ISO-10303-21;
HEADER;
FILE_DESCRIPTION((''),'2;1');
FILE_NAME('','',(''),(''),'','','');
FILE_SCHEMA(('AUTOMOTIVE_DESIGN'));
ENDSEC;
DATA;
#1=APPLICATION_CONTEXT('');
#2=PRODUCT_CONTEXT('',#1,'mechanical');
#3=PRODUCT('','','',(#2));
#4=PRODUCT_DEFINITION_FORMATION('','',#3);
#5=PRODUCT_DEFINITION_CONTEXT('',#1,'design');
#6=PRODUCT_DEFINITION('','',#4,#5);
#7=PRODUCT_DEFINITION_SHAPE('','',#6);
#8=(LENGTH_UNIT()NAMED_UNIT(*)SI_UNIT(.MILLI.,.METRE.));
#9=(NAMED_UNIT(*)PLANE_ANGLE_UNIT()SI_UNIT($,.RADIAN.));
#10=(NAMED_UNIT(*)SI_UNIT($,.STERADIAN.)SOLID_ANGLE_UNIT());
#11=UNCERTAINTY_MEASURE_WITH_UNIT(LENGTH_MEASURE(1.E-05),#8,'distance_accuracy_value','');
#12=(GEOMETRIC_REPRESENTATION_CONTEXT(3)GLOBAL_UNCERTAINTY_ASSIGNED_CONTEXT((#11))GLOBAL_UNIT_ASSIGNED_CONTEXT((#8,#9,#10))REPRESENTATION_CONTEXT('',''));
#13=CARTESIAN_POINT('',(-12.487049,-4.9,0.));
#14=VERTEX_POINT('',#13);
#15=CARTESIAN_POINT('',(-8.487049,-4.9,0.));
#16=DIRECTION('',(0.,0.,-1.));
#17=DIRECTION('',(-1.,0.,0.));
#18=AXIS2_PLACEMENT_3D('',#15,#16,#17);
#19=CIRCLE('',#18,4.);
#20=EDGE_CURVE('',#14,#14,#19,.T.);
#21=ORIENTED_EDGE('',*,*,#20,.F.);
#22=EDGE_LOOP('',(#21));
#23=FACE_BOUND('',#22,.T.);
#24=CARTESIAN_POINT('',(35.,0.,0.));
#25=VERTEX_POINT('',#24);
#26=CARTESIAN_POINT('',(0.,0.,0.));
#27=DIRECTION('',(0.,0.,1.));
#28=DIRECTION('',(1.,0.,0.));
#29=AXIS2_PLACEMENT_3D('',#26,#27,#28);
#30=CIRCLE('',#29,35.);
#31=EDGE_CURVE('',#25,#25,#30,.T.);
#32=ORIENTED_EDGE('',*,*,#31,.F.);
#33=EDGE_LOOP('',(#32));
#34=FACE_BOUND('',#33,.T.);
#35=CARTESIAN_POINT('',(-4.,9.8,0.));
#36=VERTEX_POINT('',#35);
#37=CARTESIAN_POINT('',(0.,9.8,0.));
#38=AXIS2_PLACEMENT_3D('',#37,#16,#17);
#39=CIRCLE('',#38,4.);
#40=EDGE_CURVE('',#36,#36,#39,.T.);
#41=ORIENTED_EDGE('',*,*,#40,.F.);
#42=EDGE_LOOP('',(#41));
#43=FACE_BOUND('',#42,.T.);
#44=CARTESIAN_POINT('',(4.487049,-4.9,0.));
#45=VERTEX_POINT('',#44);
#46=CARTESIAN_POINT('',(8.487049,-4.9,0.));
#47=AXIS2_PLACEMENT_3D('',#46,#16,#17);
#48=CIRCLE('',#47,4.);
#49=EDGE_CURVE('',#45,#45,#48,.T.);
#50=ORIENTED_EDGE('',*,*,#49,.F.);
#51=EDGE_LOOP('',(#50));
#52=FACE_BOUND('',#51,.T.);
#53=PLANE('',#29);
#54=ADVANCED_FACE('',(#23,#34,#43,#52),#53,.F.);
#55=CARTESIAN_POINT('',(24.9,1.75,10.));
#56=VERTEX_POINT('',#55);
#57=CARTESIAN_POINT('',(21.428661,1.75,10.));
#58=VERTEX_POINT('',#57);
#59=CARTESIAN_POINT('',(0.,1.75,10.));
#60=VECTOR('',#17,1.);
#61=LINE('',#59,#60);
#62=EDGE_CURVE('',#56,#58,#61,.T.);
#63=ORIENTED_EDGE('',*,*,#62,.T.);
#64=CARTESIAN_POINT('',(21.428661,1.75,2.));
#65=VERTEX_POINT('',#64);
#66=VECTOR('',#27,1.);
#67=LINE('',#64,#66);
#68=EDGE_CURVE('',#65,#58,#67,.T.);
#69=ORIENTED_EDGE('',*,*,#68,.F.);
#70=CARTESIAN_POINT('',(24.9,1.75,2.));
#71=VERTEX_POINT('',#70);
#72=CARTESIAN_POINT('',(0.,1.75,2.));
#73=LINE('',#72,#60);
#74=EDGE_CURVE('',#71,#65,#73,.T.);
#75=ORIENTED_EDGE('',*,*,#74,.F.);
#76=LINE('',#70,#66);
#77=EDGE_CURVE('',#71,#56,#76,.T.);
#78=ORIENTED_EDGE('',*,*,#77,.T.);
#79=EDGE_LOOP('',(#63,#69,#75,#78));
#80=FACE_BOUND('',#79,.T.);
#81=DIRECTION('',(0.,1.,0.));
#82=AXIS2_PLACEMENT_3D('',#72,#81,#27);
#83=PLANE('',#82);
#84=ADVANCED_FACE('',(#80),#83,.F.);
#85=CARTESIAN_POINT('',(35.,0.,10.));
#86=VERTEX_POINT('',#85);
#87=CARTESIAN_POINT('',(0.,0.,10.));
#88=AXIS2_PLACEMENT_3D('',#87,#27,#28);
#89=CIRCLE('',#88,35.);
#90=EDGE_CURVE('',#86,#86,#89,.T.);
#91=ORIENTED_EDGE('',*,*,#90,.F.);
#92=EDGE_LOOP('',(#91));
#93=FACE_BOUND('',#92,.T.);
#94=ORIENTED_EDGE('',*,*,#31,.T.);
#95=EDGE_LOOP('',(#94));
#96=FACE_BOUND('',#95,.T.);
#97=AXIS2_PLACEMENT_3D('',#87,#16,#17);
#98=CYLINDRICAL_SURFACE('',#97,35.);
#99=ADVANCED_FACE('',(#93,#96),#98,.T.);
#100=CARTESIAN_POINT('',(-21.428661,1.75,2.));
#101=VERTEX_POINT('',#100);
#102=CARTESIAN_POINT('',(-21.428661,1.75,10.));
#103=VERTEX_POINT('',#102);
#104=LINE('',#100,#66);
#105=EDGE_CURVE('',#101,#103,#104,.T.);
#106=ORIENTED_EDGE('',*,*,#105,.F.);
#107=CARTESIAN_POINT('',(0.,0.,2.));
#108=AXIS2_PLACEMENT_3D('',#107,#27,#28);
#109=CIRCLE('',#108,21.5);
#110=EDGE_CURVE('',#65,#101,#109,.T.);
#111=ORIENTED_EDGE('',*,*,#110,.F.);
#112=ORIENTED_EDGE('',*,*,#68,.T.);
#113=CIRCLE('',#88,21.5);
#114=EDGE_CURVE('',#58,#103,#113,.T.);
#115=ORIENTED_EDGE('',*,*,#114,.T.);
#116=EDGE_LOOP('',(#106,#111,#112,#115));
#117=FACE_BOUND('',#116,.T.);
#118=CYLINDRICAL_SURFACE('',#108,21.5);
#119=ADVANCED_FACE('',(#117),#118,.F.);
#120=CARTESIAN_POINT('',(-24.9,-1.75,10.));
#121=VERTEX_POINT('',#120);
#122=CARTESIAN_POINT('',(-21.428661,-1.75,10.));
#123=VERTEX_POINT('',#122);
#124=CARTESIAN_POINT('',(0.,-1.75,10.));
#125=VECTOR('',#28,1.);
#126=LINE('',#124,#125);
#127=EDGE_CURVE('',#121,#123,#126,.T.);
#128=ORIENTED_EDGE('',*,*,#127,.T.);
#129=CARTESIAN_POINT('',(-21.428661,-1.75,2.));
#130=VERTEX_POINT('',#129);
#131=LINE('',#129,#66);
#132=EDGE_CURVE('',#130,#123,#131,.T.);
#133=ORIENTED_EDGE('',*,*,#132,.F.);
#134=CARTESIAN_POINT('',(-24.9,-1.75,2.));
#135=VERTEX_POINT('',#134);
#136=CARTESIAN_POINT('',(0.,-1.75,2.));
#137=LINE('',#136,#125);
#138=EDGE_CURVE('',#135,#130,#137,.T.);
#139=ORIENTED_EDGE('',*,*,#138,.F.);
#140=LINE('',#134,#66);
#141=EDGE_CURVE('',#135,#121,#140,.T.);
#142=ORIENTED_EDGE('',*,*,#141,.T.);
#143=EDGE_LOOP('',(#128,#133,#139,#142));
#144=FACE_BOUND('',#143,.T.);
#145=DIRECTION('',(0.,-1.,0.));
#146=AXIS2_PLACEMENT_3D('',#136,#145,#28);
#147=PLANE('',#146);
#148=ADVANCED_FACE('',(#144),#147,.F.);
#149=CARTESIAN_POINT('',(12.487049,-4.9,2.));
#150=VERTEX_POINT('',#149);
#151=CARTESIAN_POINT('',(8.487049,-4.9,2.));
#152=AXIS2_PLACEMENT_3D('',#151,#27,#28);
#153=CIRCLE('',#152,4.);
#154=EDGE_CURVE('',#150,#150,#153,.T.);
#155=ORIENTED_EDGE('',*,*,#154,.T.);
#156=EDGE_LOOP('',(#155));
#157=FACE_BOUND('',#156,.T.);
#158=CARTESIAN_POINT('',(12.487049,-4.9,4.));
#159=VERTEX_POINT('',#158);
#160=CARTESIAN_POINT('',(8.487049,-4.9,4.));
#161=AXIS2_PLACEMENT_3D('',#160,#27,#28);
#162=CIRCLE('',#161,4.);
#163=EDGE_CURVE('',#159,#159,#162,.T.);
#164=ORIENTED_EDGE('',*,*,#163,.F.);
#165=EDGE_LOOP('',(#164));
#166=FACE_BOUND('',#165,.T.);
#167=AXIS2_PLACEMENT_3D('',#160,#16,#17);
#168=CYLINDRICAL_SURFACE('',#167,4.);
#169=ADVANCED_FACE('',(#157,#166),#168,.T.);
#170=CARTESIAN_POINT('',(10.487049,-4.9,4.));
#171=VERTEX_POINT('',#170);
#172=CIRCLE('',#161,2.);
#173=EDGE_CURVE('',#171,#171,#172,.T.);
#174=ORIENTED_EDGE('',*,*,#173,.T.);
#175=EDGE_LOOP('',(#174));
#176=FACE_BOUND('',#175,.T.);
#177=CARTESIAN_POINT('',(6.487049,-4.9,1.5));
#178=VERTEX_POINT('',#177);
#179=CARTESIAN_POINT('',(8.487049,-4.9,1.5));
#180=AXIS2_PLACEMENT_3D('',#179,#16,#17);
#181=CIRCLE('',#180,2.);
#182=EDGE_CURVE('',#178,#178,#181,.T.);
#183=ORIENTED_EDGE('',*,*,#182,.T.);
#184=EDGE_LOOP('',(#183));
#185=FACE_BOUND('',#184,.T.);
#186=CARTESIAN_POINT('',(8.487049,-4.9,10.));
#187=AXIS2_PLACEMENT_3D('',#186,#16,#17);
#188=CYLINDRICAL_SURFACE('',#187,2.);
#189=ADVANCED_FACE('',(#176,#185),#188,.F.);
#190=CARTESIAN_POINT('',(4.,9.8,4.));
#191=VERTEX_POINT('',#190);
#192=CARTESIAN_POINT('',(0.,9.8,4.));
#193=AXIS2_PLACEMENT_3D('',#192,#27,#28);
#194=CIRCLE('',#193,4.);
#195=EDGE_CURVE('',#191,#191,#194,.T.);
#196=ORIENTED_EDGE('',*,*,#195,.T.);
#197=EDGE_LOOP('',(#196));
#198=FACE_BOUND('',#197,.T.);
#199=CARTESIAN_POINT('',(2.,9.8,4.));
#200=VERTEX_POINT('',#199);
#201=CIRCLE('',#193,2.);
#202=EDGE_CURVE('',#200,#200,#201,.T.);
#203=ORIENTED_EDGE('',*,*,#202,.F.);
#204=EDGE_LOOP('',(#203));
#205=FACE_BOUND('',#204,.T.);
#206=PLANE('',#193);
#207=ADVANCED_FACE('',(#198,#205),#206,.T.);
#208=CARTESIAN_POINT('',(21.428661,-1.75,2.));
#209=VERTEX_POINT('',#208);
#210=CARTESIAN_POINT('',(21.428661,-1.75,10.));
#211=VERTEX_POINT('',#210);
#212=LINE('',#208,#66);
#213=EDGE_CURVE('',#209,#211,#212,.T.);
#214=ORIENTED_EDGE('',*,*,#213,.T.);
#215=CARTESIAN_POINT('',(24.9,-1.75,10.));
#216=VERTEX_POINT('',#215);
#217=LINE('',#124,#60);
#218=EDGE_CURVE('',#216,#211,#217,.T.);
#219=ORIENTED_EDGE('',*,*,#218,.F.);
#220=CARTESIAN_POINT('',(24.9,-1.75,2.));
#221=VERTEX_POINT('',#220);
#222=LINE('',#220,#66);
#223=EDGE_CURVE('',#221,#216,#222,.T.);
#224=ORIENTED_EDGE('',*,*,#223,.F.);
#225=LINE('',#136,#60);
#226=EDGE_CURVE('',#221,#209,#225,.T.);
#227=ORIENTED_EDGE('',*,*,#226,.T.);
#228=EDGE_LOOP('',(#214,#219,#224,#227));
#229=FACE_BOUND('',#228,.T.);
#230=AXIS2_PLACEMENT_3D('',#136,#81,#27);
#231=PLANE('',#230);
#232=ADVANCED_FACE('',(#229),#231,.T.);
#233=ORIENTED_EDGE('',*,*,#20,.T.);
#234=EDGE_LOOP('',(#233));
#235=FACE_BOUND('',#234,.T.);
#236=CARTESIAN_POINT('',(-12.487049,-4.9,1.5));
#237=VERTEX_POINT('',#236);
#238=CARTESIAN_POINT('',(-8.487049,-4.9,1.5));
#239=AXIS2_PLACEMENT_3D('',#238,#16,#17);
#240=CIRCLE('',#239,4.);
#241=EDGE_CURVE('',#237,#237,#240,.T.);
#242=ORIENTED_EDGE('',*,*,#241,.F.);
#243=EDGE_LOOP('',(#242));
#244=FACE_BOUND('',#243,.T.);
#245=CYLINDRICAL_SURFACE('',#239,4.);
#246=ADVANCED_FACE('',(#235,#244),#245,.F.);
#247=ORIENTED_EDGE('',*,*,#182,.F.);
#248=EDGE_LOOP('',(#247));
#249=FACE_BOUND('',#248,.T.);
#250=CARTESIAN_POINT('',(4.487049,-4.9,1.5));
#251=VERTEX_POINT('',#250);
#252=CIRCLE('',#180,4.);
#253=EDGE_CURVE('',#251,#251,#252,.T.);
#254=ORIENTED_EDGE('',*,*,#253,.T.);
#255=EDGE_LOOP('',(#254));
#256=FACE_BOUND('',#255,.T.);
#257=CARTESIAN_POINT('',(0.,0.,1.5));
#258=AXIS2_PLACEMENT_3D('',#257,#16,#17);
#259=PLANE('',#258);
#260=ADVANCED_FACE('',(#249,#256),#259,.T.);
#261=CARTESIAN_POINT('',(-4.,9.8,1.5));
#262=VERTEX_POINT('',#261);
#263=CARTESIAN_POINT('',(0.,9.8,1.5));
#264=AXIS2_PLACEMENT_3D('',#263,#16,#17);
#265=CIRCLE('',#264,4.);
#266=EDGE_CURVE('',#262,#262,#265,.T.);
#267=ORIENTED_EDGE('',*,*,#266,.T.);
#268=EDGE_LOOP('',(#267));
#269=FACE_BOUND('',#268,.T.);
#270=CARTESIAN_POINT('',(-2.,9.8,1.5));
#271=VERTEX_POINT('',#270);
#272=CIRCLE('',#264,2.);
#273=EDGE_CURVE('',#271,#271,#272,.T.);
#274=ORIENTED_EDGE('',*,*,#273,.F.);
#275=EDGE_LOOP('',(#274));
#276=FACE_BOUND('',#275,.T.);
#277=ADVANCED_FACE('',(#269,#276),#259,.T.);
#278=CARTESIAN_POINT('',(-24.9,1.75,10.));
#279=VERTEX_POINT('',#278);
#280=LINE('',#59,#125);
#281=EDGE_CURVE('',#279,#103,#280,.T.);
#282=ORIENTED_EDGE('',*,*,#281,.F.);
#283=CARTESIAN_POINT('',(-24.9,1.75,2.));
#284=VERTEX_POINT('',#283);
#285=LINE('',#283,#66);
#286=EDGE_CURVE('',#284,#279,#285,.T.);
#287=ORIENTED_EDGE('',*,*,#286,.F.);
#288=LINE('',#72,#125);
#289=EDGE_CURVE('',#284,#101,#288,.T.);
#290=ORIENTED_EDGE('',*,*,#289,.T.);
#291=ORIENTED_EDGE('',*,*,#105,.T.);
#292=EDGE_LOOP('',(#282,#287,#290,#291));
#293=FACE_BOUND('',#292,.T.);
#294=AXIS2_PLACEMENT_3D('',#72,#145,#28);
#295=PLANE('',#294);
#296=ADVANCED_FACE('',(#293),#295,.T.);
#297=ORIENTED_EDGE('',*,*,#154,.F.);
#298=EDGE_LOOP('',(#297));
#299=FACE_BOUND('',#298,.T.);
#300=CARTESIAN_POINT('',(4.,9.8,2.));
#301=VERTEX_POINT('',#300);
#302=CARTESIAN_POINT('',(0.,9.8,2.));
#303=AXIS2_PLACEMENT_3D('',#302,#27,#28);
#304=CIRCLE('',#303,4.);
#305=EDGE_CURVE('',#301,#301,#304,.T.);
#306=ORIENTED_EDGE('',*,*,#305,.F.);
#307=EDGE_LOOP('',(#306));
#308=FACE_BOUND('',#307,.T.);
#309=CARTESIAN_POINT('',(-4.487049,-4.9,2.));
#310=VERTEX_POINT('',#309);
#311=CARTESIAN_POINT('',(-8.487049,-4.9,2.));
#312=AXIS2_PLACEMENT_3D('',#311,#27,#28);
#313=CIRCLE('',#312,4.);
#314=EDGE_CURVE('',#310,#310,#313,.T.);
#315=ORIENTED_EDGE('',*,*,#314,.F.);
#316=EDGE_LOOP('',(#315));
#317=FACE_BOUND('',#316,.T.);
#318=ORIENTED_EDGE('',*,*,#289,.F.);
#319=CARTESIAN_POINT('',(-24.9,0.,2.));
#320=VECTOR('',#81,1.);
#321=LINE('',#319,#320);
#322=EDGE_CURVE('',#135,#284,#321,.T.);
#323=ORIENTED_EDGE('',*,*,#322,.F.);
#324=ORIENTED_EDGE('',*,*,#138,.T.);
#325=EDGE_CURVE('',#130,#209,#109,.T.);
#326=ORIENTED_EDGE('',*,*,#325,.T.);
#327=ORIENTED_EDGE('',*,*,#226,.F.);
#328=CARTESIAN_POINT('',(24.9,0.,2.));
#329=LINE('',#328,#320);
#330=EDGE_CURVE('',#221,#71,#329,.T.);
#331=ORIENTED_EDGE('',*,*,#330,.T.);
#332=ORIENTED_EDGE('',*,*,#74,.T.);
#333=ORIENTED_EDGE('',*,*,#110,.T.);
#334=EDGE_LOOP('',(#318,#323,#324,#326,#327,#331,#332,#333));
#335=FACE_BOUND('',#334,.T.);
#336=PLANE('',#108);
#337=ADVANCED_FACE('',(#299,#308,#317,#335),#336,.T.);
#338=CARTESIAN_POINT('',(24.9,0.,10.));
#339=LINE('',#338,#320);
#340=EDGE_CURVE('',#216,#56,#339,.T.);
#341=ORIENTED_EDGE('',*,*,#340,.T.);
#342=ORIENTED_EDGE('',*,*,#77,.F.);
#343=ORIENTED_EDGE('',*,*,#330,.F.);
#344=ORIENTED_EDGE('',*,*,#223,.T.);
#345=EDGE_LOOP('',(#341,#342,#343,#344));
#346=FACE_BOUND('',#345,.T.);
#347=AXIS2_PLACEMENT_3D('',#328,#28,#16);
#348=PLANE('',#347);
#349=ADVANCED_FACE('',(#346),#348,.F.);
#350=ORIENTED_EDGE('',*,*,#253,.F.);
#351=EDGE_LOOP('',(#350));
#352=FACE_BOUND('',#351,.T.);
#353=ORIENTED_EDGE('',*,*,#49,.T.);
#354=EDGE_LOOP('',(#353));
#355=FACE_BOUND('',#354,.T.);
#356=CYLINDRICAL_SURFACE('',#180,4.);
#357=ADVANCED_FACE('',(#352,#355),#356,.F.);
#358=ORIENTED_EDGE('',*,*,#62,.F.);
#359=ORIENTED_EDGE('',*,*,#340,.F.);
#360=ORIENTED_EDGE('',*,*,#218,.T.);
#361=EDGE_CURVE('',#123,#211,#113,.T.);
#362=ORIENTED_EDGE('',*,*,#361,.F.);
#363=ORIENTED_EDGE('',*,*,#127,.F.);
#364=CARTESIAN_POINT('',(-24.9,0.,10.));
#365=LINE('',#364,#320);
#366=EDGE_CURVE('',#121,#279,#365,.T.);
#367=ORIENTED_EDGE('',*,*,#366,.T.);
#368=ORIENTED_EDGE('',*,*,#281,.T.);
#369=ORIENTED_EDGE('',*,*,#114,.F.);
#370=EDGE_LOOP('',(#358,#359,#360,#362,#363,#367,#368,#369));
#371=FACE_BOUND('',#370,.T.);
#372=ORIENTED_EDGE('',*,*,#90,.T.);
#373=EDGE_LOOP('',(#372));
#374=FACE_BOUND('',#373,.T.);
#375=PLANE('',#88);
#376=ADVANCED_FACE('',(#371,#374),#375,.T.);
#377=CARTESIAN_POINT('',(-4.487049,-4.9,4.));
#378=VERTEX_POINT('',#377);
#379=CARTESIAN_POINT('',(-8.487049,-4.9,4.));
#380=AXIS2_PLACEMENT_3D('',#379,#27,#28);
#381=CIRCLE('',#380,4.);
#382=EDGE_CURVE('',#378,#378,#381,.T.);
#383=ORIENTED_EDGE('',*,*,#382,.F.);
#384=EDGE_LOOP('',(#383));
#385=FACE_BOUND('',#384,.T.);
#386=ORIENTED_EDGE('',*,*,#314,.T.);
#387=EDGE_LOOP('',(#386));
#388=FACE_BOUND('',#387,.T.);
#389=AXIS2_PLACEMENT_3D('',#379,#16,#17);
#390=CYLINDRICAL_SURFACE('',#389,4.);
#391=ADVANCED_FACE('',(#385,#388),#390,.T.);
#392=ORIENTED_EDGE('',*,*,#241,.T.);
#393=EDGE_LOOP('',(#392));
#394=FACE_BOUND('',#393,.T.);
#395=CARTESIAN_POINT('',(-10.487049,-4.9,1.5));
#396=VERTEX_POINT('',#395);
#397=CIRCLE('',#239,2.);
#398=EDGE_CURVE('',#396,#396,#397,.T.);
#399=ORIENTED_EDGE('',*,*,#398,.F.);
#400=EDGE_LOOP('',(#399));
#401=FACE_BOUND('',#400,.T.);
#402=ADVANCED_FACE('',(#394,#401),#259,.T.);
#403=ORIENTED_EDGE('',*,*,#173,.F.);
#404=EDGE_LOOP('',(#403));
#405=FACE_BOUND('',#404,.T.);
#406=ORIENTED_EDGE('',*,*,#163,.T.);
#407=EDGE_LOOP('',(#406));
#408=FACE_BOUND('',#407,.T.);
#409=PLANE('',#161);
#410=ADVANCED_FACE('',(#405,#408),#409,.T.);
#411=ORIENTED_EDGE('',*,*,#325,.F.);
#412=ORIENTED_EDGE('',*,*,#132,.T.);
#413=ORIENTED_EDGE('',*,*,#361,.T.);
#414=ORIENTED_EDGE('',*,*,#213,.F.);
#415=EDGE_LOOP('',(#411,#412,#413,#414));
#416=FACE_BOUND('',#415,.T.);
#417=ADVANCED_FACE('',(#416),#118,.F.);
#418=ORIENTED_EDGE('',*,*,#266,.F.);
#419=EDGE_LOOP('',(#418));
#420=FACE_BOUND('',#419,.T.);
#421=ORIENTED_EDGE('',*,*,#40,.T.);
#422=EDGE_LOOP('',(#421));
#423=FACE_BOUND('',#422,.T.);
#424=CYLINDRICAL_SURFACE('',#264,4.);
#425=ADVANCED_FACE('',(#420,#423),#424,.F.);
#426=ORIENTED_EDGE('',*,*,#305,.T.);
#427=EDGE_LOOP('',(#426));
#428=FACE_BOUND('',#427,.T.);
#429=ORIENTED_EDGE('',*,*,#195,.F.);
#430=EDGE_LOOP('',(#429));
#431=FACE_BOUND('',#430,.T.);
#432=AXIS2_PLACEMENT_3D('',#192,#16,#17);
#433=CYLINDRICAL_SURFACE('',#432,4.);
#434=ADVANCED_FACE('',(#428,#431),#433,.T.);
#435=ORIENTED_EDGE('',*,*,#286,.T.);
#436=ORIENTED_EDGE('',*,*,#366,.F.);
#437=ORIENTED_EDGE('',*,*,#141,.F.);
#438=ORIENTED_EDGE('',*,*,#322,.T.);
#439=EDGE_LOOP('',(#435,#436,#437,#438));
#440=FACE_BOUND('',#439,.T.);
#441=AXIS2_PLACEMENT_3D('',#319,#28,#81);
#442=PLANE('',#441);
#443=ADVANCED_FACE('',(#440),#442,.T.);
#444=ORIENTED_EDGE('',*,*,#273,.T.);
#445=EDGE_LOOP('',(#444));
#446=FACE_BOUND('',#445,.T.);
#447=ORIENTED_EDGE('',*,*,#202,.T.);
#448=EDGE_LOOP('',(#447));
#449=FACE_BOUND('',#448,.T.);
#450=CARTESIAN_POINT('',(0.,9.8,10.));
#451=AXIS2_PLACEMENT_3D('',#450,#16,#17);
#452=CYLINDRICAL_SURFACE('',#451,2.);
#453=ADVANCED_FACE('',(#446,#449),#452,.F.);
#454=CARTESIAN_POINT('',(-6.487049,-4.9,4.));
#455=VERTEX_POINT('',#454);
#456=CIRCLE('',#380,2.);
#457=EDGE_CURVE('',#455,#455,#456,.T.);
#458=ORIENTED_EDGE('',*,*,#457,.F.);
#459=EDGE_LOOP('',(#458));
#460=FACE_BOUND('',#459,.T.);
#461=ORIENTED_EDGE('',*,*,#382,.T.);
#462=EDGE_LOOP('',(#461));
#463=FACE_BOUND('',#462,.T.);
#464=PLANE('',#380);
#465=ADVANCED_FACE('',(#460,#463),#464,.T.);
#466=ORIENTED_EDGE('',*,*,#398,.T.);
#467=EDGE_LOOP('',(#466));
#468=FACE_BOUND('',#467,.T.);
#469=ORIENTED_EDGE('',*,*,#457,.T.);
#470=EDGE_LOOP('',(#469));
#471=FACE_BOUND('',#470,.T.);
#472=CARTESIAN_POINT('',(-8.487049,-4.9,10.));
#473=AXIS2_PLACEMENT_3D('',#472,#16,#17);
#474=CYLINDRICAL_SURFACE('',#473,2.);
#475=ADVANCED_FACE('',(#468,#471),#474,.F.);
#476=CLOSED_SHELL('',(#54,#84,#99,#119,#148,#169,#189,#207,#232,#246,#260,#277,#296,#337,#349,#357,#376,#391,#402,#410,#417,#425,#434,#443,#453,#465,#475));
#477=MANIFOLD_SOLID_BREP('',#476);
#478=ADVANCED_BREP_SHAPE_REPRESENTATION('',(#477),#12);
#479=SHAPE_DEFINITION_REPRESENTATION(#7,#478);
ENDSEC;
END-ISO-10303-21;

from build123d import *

# Parameters (mm, degrees)
SKETCH_1_R          = 35
EXTRUDE_1_DEPTH     = 10
CUT_EXTRUDE_1_DEPTH = 8
SKETCH_4_R          = 4
CUT_EXTRUDE_2_DEPTH = 1.5
SKETCH_6_R          = 2
CUT_EXTRUDE_3_DEPTH = 51.222007128
SKETCH_7_R          = 4
SKETCH_7_R_2        = 2
EXTRUDE_2_DEPTH     = 2
SKETCH_8_R          = 4
SKETCH_8_R_2        = 2
EXTRUDE_3_DEPTH     = 2
SKETCH_9_R          = 4
SKETCH_9_R_2        = 2
EXTRUDE_4_DEPTH     = 2


with BuildPart() as part:
    # 草图1 → 凸台-拉伸1 (new body)
    with BuildSketch(Plane.XY):
        Circle(SKETCH_1_R)
    extrude(amount=EXTRUDE_1_DEPTH)

    # 草图2 → 切除-拉伸1 (cut)
    with BuildSketch(Plane.XY.offset(10)):
        with BuildLine():
            ThreePointArc((21.428660714, 1.75), (0, 21.5), (-21.428660714, 1.75))
            Line((-21.428660714, 1.75), (-24.9, 1.75))
            Line((-24.9, 1.75), (-24.9, -1.75))
            Line((-24.9, -1.75), (-21.428660714, -1.75))
            ThreePointArc((-21.428660714, -1.75), (0, -21.5), (21.428660714, -1.75))
            Line((21.428660714, -1.75), (24.9, -1.75))
            Line((24.9, -1.75), (24.9, 1.75))
            Line((24.9, 1.75), (21.428660714, 1.75))
        make_face()
    extrude(amount=-CUT_EXTRUDE_1_DEPTH, mode=Mode.SUBTRACT)

    # 草图4 → 切除-拉伸2 (cut)
    with BuildSketch(Plane(origin=(0, 0, 0), x_dir=(-1, 0, 0), z_dir=(0, 0, -1))):
        with Locations((8.487048957, -4.9)):
            Circle(SKETCH_4_R)
        with Locations((-8.487048957, -4.9)):
            Circle(SKETCH_4_R)
        with Locations((0, 9.8)):
            Circle(SKETCH_4_R)
    extrude(amount=-CUT_EXTRUDE_2_DEPTH, mode=Mode.SUBTRACT)

    # 草图6 → 切除-拉伸3 (cut, through all)
    with BuildSketch(Plane(origin=(0, 0, 1.5), x_dir=(-1, 0, 0), z_dir=(0, 0, -1))):
        with Locations((0, 9.8)):
            Circle(SKETCH_6_R)
        with Locations((8.487048957, -4.9)):
            Circle(SKETCH_6_R)
        with Locations((-8.487048957, -4.9)):
            Circle(SKETCH_6_R)
    extrude(amount=-CUT_EXTRUDE_3_DEPTH, mode=Mode.SUBTRACT)

    # 草图7 → 凸台-拉伸2 (add)
    with BuildSketch(Plane.XY.offset(2)):
        with Locations(Location((0, 9.8, 0), (0, 0, 180))):
            Circle(SKETCH_7_R)
        with Locations(Location((0, 9.8, 0), (0, 0, 180))):
            Circle(SKETCH_7_R_2, mode=Mode.SUBTRACT)
    extrude(amount=EXTRUDE_2_DEPTH)

    # 草图8 → 凸台-拉伸3 (add)
    with BuildSketch(Plane.XY.offset(2)):
        with Locations(Location((-8.487048957, -4.9, 0), (0, 0, 180))):
            Circle(SKETCH_8_R)
        with Locations(Location((-8.487048957, -4.9, 0), (0, 0, 180))):
            Circle(SKETCH_8_R_2, mode=Mode.SUBTRACT)
    extrude(amount=EXTRUDE_3_DEPTH)

    # 草图9 → 凸台-拉伸4 (add)
    with BuildSketch(Plane.XY.offset(2)):
        with Locations(Location((8.487048957, -4.9, 0), (0, 0, 180))):
            Circle(SKETCH_9_R)
        with Locations(Location((8.487048957, -4.9, 0), (0, 0, 180))):
            Circle(SKETCH_9_R_2, mode=Mode.SUBTRACT)
    extrude(amount=EXTRUDE_4_DEPTH)


solid = part.part
